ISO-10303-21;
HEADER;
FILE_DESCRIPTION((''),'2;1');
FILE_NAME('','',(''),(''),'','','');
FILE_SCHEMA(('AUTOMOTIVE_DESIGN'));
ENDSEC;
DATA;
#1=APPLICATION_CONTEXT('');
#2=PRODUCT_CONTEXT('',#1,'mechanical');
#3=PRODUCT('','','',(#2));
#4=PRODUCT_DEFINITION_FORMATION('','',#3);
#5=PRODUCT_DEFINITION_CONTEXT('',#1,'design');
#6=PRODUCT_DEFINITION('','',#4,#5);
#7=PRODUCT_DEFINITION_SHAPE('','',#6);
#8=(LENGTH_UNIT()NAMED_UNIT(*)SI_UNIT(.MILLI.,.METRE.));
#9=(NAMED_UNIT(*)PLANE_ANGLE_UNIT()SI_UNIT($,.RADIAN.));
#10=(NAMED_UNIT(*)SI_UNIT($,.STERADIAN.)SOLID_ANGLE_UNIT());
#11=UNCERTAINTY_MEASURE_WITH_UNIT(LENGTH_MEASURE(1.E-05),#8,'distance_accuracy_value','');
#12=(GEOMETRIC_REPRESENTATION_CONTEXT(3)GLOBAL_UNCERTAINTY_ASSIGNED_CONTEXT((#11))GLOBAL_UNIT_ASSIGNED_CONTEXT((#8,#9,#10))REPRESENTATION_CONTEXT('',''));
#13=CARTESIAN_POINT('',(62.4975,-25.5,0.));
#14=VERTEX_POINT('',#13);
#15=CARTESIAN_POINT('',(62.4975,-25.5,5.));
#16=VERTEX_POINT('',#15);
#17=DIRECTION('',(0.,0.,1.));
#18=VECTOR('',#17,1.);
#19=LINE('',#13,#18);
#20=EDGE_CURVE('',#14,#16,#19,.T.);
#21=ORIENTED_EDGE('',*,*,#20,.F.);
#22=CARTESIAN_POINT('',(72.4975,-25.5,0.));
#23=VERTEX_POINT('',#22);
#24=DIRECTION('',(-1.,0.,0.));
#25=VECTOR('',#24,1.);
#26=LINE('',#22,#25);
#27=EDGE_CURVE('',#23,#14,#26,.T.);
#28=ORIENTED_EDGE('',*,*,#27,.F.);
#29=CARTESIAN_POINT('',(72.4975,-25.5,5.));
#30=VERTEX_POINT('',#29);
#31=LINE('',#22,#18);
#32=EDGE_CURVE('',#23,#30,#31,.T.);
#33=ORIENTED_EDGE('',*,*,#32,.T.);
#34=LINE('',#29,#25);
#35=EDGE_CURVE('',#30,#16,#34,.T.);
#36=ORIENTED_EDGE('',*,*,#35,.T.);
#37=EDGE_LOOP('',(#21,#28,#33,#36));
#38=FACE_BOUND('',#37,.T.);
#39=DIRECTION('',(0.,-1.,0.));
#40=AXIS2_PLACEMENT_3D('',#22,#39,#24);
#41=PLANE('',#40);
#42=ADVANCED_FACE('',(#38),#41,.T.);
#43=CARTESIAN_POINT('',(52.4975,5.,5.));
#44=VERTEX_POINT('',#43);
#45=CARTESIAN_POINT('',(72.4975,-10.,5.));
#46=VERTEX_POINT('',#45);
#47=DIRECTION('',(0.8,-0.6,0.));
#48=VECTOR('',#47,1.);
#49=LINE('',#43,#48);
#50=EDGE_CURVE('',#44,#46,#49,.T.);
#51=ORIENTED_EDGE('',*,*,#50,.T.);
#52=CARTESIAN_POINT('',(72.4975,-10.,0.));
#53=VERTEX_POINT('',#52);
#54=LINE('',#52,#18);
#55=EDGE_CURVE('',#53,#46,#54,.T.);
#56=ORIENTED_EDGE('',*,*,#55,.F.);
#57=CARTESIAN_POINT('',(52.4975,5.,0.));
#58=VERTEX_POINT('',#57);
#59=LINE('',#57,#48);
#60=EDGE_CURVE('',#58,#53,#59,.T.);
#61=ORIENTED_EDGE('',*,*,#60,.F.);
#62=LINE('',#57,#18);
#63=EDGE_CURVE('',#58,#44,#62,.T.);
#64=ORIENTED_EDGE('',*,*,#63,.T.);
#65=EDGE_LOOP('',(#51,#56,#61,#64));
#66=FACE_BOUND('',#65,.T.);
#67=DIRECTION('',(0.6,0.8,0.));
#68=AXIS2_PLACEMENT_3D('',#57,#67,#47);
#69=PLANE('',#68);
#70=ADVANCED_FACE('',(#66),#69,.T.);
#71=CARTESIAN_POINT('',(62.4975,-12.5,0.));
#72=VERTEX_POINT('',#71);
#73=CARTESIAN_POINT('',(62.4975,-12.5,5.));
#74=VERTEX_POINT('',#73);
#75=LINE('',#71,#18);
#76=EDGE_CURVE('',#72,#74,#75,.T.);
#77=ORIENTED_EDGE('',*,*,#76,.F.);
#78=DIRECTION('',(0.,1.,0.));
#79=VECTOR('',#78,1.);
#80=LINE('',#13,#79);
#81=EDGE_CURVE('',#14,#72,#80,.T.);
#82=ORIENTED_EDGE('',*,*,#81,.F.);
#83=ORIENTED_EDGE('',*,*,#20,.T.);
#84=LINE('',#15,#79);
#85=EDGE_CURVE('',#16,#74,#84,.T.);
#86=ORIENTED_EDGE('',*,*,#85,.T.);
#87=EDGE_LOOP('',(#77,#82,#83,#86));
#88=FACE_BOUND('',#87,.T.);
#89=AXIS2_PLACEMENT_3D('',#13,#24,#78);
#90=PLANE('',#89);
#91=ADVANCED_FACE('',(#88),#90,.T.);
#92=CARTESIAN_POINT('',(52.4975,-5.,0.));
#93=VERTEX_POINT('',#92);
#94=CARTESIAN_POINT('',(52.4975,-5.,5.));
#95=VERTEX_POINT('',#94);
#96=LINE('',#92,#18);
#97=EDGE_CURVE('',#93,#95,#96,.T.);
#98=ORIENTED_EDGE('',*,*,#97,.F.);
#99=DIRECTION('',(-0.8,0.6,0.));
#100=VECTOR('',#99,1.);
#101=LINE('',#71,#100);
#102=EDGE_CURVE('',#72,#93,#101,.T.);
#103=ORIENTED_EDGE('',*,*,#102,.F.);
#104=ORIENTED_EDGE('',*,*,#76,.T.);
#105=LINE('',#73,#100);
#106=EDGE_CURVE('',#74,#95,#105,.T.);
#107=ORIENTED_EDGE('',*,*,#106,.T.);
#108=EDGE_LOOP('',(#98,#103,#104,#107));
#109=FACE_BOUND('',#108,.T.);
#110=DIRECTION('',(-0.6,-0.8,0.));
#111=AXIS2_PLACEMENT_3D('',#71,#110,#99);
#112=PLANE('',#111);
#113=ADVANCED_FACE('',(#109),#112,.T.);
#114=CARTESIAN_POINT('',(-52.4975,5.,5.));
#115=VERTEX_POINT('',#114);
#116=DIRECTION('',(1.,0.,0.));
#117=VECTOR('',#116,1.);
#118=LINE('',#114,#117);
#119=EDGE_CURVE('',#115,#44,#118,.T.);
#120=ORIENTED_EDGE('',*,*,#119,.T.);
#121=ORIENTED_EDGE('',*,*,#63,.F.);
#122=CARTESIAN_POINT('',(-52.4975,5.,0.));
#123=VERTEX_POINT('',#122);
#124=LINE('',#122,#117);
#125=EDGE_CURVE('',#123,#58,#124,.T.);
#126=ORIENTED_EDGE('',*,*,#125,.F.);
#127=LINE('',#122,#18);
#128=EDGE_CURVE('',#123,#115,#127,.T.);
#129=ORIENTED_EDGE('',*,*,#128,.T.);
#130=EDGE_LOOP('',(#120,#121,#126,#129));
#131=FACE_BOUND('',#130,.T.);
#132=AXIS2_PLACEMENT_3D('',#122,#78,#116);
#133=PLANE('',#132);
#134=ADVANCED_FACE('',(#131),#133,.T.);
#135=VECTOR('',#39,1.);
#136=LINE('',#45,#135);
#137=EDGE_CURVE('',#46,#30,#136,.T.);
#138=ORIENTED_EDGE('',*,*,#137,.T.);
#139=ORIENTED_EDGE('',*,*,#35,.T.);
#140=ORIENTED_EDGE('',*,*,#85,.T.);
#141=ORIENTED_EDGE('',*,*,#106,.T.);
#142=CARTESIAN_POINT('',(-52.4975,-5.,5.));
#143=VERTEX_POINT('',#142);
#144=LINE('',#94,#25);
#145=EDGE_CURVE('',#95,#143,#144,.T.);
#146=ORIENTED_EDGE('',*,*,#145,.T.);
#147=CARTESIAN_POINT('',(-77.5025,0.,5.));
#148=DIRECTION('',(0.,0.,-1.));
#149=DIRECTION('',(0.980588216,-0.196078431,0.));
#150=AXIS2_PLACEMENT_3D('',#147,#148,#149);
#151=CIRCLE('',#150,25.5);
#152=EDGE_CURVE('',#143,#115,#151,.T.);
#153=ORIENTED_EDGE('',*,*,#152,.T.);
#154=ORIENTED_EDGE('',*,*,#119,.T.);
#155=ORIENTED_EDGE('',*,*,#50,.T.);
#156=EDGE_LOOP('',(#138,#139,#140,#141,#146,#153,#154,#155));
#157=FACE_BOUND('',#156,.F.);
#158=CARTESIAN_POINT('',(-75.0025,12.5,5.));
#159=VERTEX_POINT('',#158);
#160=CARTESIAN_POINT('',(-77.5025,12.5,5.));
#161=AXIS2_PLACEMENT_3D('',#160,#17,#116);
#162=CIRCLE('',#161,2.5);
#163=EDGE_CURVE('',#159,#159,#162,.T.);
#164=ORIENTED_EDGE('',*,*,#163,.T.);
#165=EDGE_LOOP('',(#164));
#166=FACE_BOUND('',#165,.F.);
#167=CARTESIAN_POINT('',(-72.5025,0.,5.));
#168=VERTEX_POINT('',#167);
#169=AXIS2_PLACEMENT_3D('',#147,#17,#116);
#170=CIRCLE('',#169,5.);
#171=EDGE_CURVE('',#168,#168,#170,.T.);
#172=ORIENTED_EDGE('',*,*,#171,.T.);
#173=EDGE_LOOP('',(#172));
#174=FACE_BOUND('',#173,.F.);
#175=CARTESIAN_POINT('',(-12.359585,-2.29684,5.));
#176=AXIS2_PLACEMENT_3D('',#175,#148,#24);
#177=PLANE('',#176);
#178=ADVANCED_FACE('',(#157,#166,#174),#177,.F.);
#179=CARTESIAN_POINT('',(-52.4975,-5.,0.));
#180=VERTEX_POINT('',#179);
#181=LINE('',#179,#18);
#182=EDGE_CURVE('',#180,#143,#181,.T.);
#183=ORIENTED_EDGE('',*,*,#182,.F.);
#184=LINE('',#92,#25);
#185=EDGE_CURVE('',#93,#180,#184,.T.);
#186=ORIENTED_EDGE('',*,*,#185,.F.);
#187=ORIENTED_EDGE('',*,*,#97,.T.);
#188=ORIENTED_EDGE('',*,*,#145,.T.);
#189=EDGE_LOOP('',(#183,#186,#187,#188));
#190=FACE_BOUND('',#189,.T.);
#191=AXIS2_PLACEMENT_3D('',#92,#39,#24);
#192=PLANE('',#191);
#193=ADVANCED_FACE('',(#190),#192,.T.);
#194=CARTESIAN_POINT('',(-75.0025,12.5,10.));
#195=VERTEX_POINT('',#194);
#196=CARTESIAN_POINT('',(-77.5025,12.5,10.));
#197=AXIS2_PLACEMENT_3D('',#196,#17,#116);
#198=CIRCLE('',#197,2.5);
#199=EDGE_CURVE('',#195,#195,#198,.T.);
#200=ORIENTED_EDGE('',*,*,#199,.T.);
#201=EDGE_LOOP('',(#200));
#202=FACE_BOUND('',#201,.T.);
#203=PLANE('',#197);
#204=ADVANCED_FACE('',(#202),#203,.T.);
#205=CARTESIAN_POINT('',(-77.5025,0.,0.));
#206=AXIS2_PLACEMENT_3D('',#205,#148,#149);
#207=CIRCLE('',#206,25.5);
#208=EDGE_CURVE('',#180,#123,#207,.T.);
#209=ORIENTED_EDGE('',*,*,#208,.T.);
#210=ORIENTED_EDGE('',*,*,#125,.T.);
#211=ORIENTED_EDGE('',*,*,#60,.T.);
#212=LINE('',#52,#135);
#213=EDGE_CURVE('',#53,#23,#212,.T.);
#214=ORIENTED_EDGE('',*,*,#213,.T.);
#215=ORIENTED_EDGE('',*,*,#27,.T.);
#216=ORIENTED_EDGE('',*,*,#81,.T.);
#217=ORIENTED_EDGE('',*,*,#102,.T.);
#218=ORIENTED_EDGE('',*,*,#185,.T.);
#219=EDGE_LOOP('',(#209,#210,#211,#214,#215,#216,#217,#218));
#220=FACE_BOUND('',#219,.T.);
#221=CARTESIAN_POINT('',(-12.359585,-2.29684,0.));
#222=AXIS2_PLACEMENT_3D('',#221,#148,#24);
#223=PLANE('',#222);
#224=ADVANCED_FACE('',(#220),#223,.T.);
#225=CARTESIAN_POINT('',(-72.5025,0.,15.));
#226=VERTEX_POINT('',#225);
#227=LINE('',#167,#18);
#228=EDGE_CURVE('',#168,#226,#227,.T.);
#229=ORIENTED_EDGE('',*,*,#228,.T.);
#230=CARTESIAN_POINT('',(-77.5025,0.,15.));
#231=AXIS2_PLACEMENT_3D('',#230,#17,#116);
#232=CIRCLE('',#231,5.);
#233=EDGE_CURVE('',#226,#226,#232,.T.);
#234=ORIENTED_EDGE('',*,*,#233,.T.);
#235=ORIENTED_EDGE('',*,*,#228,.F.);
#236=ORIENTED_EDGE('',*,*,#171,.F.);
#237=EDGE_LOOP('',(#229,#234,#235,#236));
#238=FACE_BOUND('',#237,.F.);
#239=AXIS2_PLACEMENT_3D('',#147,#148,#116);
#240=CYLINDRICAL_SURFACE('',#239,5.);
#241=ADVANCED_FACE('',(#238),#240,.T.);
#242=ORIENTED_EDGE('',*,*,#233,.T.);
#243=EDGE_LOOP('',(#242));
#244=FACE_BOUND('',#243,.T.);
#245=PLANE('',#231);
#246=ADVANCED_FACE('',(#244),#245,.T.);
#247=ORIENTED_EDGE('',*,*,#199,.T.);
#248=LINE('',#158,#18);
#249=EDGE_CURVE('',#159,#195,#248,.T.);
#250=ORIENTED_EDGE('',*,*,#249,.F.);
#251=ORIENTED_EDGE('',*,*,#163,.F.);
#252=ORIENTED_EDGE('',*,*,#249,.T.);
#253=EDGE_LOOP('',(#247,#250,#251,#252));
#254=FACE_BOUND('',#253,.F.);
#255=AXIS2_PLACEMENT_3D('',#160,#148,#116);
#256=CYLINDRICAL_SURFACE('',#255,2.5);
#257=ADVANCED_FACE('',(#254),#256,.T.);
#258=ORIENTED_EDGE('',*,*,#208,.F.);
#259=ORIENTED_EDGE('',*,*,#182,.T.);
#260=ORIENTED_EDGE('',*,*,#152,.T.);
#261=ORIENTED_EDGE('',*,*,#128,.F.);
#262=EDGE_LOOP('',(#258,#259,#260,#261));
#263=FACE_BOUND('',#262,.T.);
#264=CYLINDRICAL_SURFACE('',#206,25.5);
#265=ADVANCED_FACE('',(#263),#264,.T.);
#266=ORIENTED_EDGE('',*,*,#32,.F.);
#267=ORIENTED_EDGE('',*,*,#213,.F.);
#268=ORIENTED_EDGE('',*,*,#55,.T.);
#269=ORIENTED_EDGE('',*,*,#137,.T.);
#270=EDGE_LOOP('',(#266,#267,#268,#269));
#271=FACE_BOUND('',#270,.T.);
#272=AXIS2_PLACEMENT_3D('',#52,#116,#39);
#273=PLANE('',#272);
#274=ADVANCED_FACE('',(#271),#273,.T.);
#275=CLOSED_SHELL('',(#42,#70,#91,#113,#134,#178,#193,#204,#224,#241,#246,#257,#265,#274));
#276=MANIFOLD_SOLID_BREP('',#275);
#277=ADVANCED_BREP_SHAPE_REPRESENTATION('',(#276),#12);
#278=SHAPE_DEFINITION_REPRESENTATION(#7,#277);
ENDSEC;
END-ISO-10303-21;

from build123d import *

# Parameters (mm, degrees)
SALIENTE_EXTRUIR1_DEPTH = 5
CROQUIS2_R              = 2.5
SALIENTE_EXTRUIR2_DEPTH = 5
CROQUIS3_R              = 5
SALIENTE_EXTRUIR3_DEPTH = 10


with BuildPart() as part:
    # Croquis1 → Saliente-Extruir1 (new body)
    with BuildSketch(Plane.XY):
        with BuildLine():
            Line((-52.49750025, 5), (52.49750025, 5))
            Line((52.49750025, 5), (72.49750025, -10))
            Line((72.49750025, -10), (72.49750025, -25.5))
            Line((72.49750025, -25.5), (62.49750025, -25.5))
            Line((62.49750025, -25.5), (62.49750025, -12.5))
            Line((62.49750025, -12.5), (52.49750025, -5))
            Line((52.49750025, -5), (-52.49750025, -5))
            ThreePointArc((-52.49750025, -5), (-103.00249975, 0), (-52.49750025, 5))
        make_face()
    extrude(amount=SALIENTE_EXTRUIR1_DEPTH)

    # Croquis2 → Saliente-Extruir2 (add)
    with BuildSketch(Plane.XY.offset(5)):
        with Locations((-77.50249975, 12.5)):
            Circle(CROQUIS2_R)
    extrude(amount=SALIENTE_EXTRUIR2_DEPTH)

    # Croquis3 → Saliente-Extruir3 (add)
    with BuildSketch(Plane.XY.offset(5)):
        with Locations((-77.50249975, 0)):
            Circle(CROQUIS3_R)
    extrude(amount=SALIENTE_EXTRUIR3_DEPTH)


solid = part.part
